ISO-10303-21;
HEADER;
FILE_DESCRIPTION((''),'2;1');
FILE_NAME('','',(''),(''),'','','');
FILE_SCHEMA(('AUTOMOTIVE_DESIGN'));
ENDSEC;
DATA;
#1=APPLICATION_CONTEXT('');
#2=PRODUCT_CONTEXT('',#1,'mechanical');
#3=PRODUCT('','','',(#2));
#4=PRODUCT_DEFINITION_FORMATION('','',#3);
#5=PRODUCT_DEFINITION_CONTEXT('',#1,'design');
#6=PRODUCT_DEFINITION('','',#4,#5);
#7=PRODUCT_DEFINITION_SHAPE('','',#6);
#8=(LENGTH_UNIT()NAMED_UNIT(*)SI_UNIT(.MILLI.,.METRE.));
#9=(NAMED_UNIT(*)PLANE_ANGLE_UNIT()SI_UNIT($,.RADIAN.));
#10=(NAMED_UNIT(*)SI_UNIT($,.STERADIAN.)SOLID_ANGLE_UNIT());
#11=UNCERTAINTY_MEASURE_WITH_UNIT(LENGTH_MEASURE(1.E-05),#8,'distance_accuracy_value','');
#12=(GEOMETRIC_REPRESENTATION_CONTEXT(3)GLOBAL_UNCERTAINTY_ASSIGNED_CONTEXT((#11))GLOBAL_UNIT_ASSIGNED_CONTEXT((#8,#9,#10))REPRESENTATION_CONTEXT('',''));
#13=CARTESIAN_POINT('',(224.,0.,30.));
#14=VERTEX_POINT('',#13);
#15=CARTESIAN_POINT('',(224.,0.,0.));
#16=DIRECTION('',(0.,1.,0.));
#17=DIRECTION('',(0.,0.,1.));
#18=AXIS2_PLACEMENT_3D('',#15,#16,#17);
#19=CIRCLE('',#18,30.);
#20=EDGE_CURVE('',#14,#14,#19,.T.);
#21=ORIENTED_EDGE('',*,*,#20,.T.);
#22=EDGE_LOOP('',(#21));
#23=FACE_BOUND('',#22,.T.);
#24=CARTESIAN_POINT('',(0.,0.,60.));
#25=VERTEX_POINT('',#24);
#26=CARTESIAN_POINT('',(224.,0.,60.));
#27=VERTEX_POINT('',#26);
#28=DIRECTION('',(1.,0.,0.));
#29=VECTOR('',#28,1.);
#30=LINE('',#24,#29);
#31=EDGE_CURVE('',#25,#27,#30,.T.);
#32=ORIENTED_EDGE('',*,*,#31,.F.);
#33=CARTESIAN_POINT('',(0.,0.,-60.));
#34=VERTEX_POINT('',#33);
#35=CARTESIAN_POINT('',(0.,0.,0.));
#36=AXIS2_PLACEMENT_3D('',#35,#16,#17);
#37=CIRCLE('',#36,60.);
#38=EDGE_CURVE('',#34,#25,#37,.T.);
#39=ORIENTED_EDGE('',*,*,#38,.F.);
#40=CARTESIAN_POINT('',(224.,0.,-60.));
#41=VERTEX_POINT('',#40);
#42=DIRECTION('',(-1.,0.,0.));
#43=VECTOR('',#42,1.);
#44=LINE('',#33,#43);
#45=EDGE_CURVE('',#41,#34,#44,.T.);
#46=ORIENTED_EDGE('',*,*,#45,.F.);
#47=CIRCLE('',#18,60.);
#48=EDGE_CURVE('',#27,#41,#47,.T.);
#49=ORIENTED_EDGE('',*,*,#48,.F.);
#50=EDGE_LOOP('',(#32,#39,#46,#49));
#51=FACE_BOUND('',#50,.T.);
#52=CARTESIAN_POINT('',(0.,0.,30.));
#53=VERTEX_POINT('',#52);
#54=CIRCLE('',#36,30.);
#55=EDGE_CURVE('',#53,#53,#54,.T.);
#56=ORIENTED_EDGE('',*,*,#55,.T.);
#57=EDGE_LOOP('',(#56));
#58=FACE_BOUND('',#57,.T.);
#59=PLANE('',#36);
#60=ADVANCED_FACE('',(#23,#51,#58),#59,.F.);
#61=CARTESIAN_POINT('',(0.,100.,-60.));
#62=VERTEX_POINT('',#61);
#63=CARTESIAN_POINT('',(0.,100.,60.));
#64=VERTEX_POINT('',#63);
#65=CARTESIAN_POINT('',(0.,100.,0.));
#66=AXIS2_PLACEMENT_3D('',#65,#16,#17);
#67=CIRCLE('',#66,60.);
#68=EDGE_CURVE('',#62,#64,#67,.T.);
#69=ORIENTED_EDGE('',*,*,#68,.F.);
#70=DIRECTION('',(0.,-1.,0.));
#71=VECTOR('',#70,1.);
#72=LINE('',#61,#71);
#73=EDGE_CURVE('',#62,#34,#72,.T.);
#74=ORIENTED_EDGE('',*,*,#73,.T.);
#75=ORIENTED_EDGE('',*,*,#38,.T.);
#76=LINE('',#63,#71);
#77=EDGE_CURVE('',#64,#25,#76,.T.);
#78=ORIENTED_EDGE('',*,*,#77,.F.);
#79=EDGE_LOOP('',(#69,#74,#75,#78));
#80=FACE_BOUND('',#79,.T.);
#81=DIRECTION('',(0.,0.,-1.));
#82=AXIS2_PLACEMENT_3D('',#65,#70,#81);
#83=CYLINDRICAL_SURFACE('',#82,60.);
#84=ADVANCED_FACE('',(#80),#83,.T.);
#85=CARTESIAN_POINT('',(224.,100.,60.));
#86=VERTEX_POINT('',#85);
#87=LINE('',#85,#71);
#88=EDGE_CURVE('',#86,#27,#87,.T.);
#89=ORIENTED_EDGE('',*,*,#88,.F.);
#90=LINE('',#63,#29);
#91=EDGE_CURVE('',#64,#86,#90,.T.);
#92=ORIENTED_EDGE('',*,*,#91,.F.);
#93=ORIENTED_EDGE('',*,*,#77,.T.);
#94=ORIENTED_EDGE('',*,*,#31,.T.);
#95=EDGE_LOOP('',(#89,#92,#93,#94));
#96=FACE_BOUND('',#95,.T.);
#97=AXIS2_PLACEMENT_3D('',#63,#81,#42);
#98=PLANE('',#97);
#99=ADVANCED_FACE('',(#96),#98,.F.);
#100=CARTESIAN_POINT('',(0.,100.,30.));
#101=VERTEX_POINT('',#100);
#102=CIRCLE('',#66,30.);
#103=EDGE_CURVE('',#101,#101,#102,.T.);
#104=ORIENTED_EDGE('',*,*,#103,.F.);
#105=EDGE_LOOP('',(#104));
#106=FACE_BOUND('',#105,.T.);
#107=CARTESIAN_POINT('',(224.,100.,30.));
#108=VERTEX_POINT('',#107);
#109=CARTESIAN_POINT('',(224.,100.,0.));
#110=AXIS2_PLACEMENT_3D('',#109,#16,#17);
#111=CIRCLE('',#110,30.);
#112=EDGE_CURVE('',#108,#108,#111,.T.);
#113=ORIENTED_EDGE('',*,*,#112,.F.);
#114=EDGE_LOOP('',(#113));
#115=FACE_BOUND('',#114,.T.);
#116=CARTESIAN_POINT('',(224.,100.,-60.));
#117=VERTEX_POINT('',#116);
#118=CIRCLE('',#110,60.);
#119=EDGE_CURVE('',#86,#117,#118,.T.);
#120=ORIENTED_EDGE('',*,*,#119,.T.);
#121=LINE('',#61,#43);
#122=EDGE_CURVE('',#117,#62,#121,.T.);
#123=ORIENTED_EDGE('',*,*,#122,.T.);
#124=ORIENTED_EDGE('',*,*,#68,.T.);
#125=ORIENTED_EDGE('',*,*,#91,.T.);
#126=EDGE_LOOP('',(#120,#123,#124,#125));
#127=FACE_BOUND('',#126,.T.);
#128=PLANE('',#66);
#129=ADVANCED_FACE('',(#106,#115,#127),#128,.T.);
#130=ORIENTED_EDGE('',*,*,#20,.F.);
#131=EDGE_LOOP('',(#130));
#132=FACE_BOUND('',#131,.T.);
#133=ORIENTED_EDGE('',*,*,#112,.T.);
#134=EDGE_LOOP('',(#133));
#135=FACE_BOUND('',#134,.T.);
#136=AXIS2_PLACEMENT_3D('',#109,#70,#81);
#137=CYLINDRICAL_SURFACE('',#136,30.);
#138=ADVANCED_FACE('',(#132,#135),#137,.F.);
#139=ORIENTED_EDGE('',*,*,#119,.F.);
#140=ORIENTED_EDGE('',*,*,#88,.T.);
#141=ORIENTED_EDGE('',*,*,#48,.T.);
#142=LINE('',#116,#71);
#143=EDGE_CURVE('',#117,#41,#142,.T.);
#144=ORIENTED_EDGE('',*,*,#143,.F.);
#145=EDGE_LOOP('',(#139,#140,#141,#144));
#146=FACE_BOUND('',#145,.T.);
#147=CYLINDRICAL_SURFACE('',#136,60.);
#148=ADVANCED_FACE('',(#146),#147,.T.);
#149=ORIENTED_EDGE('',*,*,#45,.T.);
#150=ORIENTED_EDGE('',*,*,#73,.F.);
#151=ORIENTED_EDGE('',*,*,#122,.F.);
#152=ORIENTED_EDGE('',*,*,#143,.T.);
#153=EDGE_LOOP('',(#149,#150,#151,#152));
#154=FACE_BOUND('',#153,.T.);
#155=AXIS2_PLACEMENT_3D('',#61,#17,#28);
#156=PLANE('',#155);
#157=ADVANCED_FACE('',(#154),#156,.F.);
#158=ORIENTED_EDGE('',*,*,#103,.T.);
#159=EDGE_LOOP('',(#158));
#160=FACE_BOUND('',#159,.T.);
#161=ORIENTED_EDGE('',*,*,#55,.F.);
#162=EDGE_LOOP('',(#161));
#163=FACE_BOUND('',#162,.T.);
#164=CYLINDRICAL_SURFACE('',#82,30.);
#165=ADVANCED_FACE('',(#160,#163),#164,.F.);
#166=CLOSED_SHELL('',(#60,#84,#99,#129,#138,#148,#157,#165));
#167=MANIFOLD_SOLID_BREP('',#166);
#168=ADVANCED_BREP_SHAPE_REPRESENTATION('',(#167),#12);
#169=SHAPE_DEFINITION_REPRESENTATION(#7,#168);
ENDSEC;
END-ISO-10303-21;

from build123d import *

# Parameters (mm, degrees)
SKETCH1_R           = 30
BOSS_EXTRUDE1_DEPTH = 100


with BuildPart() as part:
    # Sketch1 → Boss-Extrude1 (new body)
    with BuildSketch(Plane(origin=(0, 0, 0), x_dir=(1, 0, 0), z_dir=(0, 1, 0))):
        with BuildLine():
            Line((0, 60), (224, 60))
            ThreePointArc((224, 60), (284, 0), (224, -60))
            Line((224, -60), (0, -60))
            ThreePointArc((0, -60), (-60, 0), (0, 60))
        make_face()
        with Locations(Location((0, 0, 0), (0, 0, 270))):
            Circle(SKETCH1_R, mode=Mode.SUBTRACT)
        with Locations(Location((224, 0, 0), (0, 0, 270))):
            Circle(SKETCH1_R, mode=Mode.SUBTRACT)
    extrude(amount=BOSS_EXTRUDE1_DEPTH)


solid = part.part
